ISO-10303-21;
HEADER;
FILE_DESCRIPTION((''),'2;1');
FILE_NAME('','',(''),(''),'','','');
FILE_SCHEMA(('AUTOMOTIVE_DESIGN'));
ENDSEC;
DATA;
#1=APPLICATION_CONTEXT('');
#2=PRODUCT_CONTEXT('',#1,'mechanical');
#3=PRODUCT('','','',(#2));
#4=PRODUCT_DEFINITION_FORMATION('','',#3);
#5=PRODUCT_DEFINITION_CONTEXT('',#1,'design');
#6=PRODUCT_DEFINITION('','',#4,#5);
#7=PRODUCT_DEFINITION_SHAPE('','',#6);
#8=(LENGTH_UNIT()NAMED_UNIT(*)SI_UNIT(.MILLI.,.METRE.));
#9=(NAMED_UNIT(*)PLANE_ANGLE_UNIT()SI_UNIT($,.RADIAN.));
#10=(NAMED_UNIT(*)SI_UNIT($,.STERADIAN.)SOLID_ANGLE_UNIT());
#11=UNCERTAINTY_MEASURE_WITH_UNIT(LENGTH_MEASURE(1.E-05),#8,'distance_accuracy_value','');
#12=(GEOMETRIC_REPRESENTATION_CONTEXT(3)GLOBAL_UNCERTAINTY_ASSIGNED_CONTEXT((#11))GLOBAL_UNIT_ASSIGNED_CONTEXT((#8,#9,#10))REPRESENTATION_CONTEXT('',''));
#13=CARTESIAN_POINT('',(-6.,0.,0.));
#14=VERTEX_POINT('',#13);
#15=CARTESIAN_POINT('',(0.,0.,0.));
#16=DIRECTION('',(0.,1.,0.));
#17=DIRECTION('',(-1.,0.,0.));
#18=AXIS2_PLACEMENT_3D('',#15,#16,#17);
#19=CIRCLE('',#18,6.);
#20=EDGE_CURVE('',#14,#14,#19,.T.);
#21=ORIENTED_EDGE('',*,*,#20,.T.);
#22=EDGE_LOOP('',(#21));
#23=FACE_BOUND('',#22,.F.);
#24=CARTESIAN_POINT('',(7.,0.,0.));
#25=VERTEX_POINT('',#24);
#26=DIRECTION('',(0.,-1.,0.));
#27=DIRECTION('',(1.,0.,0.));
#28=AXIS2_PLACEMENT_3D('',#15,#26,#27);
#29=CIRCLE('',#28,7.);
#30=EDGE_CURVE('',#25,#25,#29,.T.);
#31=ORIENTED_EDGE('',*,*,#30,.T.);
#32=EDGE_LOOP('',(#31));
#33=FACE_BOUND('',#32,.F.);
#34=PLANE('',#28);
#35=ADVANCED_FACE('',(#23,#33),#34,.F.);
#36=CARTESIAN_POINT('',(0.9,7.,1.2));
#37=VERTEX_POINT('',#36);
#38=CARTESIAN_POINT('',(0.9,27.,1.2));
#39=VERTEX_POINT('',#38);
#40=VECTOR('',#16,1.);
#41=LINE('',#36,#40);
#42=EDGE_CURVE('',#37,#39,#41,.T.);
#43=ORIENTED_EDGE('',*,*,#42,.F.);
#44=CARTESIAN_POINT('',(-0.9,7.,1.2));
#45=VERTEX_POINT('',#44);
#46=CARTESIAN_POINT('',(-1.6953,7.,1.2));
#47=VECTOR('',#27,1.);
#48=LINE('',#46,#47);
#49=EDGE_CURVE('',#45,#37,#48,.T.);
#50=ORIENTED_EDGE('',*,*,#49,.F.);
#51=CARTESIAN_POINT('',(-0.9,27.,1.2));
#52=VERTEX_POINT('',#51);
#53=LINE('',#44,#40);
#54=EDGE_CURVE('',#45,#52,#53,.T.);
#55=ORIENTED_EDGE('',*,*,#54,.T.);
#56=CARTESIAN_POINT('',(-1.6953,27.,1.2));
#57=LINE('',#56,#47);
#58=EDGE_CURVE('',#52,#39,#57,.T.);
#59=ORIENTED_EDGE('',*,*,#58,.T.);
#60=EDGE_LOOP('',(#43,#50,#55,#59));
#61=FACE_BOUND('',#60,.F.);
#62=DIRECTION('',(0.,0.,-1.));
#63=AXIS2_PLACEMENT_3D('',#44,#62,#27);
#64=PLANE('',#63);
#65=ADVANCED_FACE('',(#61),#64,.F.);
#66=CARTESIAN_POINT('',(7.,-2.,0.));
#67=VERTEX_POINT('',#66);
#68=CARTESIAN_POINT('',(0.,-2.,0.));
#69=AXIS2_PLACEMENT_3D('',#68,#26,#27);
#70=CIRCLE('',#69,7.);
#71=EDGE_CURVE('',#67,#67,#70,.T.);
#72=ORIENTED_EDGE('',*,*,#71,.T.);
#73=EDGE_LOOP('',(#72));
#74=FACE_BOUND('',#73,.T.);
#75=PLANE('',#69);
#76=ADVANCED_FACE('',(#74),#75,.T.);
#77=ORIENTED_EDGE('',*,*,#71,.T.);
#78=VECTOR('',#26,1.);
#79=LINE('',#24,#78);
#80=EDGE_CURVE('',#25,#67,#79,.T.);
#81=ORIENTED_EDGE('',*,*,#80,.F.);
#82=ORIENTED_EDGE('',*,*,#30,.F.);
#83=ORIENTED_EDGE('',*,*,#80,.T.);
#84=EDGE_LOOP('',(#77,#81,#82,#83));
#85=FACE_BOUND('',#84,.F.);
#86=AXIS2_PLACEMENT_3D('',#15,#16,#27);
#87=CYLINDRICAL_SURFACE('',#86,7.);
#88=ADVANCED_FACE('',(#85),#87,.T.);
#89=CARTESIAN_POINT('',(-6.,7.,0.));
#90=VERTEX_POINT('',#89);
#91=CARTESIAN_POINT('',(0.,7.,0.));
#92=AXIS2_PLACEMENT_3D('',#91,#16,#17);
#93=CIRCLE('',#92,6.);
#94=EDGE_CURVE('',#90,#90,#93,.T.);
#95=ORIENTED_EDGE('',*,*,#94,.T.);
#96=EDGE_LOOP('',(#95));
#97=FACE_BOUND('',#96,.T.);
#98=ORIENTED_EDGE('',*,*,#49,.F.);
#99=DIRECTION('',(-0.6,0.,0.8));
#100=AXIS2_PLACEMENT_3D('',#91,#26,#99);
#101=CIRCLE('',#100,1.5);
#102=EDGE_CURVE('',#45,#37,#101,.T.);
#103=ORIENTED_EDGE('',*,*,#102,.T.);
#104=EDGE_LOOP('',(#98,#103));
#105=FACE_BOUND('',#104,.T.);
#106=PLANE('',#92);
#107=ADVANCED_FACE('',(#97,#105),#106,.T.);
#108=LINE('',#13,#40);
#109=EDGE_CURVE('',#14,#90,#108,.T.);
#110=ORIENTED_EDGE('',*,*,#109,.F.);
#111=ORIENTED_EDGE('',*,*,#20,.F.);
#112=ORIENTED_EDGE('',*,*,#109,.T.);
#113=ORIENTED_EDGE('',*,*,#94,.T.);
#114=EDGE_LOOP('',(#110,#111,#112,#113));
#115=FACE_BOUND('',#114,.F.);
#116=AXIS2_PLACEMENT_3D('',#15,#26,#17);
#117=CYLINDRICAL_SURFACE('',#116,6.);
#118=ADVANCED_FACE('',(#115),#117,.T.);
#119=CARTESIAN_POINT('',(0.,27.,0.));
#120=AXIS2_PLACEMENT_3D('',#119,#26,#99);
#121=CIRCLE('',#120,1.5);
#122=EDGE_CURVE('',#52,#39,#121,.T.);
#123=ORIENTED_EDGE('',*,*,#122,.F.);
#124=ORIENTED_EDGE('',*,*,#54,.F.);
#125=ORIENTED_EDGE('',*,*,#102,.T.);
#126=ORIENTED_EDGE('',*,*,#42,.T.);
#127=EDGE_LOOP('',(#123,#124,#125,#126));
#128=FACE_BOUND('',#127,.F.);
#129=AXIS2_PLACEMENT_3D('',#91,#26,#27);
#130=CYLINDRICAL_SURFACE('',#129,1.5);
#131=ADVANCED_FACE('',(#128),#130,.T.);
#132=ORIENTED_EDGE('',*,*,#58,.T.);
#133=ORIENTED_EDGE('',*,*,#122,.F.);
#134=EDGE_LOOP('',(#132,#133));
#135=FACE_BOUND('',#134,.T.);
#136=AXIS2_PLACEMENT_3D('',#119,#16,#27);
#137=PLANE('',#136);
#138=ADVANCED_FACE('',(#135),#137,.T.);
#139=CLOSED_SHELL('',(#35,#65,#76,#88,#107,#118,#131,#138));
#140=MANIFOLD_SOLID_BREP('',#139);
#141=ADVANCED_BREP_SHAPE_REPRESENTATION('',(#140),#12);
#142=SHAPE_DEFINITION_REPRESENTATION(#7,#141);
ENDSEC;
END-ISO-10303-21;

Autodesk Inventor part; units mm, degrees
ref_plane "YZ Plane" through (0, 0, 0) normal (1, 0, 0) x (0, 1, 0)
ref_plane "XZ Plane" through (0, 0, 0) normal (0, 1, 0) x (-1, 0, 0)
ref_plane "XY Plane" through (0, 0, 0) normal (0, 0, 1) x (1, 0, 0)
sketch "Sketch1" plane through (0, 0, 0) normal (0, 1, 0) x (-1, 0, 0)
  circle A0 centre (0, 0) radius 6
  dimension "d0" = 12
extrude "Extrusion1" add sketch "Sketch1" along normal blind 7
sketch "Sketch2" plane through (0, 7, 0) normal (0, 1, 0) x (1, 0, 0)
  circle A0 centre (0, 0) radius 1.5
  line L0 (-1.6953, -1.2) -> (1.8425, -1.2)
  point P0 (-0.9, -1.2)
  point P1 (0.9, -1.2)
  dimension "d3" = 3
  dimension "d5" = 2.7
extrude "Extrusion2" add sketch "Sketch2" along normal blind 20 contours A0 L0 picked at (0.3741, -0.3089)
sketch "Sketch3" plane through (0, 0, 0) normal (0, -1, 0) x (1, 0, 0)
  circle A0 centre (0, 0) radius 7
  dimension "d8" = 14
extrude "Extrusion3" add sketch "Sketch3" along normal blind 2
properties part number "spojkaRotoruSGondolou"
